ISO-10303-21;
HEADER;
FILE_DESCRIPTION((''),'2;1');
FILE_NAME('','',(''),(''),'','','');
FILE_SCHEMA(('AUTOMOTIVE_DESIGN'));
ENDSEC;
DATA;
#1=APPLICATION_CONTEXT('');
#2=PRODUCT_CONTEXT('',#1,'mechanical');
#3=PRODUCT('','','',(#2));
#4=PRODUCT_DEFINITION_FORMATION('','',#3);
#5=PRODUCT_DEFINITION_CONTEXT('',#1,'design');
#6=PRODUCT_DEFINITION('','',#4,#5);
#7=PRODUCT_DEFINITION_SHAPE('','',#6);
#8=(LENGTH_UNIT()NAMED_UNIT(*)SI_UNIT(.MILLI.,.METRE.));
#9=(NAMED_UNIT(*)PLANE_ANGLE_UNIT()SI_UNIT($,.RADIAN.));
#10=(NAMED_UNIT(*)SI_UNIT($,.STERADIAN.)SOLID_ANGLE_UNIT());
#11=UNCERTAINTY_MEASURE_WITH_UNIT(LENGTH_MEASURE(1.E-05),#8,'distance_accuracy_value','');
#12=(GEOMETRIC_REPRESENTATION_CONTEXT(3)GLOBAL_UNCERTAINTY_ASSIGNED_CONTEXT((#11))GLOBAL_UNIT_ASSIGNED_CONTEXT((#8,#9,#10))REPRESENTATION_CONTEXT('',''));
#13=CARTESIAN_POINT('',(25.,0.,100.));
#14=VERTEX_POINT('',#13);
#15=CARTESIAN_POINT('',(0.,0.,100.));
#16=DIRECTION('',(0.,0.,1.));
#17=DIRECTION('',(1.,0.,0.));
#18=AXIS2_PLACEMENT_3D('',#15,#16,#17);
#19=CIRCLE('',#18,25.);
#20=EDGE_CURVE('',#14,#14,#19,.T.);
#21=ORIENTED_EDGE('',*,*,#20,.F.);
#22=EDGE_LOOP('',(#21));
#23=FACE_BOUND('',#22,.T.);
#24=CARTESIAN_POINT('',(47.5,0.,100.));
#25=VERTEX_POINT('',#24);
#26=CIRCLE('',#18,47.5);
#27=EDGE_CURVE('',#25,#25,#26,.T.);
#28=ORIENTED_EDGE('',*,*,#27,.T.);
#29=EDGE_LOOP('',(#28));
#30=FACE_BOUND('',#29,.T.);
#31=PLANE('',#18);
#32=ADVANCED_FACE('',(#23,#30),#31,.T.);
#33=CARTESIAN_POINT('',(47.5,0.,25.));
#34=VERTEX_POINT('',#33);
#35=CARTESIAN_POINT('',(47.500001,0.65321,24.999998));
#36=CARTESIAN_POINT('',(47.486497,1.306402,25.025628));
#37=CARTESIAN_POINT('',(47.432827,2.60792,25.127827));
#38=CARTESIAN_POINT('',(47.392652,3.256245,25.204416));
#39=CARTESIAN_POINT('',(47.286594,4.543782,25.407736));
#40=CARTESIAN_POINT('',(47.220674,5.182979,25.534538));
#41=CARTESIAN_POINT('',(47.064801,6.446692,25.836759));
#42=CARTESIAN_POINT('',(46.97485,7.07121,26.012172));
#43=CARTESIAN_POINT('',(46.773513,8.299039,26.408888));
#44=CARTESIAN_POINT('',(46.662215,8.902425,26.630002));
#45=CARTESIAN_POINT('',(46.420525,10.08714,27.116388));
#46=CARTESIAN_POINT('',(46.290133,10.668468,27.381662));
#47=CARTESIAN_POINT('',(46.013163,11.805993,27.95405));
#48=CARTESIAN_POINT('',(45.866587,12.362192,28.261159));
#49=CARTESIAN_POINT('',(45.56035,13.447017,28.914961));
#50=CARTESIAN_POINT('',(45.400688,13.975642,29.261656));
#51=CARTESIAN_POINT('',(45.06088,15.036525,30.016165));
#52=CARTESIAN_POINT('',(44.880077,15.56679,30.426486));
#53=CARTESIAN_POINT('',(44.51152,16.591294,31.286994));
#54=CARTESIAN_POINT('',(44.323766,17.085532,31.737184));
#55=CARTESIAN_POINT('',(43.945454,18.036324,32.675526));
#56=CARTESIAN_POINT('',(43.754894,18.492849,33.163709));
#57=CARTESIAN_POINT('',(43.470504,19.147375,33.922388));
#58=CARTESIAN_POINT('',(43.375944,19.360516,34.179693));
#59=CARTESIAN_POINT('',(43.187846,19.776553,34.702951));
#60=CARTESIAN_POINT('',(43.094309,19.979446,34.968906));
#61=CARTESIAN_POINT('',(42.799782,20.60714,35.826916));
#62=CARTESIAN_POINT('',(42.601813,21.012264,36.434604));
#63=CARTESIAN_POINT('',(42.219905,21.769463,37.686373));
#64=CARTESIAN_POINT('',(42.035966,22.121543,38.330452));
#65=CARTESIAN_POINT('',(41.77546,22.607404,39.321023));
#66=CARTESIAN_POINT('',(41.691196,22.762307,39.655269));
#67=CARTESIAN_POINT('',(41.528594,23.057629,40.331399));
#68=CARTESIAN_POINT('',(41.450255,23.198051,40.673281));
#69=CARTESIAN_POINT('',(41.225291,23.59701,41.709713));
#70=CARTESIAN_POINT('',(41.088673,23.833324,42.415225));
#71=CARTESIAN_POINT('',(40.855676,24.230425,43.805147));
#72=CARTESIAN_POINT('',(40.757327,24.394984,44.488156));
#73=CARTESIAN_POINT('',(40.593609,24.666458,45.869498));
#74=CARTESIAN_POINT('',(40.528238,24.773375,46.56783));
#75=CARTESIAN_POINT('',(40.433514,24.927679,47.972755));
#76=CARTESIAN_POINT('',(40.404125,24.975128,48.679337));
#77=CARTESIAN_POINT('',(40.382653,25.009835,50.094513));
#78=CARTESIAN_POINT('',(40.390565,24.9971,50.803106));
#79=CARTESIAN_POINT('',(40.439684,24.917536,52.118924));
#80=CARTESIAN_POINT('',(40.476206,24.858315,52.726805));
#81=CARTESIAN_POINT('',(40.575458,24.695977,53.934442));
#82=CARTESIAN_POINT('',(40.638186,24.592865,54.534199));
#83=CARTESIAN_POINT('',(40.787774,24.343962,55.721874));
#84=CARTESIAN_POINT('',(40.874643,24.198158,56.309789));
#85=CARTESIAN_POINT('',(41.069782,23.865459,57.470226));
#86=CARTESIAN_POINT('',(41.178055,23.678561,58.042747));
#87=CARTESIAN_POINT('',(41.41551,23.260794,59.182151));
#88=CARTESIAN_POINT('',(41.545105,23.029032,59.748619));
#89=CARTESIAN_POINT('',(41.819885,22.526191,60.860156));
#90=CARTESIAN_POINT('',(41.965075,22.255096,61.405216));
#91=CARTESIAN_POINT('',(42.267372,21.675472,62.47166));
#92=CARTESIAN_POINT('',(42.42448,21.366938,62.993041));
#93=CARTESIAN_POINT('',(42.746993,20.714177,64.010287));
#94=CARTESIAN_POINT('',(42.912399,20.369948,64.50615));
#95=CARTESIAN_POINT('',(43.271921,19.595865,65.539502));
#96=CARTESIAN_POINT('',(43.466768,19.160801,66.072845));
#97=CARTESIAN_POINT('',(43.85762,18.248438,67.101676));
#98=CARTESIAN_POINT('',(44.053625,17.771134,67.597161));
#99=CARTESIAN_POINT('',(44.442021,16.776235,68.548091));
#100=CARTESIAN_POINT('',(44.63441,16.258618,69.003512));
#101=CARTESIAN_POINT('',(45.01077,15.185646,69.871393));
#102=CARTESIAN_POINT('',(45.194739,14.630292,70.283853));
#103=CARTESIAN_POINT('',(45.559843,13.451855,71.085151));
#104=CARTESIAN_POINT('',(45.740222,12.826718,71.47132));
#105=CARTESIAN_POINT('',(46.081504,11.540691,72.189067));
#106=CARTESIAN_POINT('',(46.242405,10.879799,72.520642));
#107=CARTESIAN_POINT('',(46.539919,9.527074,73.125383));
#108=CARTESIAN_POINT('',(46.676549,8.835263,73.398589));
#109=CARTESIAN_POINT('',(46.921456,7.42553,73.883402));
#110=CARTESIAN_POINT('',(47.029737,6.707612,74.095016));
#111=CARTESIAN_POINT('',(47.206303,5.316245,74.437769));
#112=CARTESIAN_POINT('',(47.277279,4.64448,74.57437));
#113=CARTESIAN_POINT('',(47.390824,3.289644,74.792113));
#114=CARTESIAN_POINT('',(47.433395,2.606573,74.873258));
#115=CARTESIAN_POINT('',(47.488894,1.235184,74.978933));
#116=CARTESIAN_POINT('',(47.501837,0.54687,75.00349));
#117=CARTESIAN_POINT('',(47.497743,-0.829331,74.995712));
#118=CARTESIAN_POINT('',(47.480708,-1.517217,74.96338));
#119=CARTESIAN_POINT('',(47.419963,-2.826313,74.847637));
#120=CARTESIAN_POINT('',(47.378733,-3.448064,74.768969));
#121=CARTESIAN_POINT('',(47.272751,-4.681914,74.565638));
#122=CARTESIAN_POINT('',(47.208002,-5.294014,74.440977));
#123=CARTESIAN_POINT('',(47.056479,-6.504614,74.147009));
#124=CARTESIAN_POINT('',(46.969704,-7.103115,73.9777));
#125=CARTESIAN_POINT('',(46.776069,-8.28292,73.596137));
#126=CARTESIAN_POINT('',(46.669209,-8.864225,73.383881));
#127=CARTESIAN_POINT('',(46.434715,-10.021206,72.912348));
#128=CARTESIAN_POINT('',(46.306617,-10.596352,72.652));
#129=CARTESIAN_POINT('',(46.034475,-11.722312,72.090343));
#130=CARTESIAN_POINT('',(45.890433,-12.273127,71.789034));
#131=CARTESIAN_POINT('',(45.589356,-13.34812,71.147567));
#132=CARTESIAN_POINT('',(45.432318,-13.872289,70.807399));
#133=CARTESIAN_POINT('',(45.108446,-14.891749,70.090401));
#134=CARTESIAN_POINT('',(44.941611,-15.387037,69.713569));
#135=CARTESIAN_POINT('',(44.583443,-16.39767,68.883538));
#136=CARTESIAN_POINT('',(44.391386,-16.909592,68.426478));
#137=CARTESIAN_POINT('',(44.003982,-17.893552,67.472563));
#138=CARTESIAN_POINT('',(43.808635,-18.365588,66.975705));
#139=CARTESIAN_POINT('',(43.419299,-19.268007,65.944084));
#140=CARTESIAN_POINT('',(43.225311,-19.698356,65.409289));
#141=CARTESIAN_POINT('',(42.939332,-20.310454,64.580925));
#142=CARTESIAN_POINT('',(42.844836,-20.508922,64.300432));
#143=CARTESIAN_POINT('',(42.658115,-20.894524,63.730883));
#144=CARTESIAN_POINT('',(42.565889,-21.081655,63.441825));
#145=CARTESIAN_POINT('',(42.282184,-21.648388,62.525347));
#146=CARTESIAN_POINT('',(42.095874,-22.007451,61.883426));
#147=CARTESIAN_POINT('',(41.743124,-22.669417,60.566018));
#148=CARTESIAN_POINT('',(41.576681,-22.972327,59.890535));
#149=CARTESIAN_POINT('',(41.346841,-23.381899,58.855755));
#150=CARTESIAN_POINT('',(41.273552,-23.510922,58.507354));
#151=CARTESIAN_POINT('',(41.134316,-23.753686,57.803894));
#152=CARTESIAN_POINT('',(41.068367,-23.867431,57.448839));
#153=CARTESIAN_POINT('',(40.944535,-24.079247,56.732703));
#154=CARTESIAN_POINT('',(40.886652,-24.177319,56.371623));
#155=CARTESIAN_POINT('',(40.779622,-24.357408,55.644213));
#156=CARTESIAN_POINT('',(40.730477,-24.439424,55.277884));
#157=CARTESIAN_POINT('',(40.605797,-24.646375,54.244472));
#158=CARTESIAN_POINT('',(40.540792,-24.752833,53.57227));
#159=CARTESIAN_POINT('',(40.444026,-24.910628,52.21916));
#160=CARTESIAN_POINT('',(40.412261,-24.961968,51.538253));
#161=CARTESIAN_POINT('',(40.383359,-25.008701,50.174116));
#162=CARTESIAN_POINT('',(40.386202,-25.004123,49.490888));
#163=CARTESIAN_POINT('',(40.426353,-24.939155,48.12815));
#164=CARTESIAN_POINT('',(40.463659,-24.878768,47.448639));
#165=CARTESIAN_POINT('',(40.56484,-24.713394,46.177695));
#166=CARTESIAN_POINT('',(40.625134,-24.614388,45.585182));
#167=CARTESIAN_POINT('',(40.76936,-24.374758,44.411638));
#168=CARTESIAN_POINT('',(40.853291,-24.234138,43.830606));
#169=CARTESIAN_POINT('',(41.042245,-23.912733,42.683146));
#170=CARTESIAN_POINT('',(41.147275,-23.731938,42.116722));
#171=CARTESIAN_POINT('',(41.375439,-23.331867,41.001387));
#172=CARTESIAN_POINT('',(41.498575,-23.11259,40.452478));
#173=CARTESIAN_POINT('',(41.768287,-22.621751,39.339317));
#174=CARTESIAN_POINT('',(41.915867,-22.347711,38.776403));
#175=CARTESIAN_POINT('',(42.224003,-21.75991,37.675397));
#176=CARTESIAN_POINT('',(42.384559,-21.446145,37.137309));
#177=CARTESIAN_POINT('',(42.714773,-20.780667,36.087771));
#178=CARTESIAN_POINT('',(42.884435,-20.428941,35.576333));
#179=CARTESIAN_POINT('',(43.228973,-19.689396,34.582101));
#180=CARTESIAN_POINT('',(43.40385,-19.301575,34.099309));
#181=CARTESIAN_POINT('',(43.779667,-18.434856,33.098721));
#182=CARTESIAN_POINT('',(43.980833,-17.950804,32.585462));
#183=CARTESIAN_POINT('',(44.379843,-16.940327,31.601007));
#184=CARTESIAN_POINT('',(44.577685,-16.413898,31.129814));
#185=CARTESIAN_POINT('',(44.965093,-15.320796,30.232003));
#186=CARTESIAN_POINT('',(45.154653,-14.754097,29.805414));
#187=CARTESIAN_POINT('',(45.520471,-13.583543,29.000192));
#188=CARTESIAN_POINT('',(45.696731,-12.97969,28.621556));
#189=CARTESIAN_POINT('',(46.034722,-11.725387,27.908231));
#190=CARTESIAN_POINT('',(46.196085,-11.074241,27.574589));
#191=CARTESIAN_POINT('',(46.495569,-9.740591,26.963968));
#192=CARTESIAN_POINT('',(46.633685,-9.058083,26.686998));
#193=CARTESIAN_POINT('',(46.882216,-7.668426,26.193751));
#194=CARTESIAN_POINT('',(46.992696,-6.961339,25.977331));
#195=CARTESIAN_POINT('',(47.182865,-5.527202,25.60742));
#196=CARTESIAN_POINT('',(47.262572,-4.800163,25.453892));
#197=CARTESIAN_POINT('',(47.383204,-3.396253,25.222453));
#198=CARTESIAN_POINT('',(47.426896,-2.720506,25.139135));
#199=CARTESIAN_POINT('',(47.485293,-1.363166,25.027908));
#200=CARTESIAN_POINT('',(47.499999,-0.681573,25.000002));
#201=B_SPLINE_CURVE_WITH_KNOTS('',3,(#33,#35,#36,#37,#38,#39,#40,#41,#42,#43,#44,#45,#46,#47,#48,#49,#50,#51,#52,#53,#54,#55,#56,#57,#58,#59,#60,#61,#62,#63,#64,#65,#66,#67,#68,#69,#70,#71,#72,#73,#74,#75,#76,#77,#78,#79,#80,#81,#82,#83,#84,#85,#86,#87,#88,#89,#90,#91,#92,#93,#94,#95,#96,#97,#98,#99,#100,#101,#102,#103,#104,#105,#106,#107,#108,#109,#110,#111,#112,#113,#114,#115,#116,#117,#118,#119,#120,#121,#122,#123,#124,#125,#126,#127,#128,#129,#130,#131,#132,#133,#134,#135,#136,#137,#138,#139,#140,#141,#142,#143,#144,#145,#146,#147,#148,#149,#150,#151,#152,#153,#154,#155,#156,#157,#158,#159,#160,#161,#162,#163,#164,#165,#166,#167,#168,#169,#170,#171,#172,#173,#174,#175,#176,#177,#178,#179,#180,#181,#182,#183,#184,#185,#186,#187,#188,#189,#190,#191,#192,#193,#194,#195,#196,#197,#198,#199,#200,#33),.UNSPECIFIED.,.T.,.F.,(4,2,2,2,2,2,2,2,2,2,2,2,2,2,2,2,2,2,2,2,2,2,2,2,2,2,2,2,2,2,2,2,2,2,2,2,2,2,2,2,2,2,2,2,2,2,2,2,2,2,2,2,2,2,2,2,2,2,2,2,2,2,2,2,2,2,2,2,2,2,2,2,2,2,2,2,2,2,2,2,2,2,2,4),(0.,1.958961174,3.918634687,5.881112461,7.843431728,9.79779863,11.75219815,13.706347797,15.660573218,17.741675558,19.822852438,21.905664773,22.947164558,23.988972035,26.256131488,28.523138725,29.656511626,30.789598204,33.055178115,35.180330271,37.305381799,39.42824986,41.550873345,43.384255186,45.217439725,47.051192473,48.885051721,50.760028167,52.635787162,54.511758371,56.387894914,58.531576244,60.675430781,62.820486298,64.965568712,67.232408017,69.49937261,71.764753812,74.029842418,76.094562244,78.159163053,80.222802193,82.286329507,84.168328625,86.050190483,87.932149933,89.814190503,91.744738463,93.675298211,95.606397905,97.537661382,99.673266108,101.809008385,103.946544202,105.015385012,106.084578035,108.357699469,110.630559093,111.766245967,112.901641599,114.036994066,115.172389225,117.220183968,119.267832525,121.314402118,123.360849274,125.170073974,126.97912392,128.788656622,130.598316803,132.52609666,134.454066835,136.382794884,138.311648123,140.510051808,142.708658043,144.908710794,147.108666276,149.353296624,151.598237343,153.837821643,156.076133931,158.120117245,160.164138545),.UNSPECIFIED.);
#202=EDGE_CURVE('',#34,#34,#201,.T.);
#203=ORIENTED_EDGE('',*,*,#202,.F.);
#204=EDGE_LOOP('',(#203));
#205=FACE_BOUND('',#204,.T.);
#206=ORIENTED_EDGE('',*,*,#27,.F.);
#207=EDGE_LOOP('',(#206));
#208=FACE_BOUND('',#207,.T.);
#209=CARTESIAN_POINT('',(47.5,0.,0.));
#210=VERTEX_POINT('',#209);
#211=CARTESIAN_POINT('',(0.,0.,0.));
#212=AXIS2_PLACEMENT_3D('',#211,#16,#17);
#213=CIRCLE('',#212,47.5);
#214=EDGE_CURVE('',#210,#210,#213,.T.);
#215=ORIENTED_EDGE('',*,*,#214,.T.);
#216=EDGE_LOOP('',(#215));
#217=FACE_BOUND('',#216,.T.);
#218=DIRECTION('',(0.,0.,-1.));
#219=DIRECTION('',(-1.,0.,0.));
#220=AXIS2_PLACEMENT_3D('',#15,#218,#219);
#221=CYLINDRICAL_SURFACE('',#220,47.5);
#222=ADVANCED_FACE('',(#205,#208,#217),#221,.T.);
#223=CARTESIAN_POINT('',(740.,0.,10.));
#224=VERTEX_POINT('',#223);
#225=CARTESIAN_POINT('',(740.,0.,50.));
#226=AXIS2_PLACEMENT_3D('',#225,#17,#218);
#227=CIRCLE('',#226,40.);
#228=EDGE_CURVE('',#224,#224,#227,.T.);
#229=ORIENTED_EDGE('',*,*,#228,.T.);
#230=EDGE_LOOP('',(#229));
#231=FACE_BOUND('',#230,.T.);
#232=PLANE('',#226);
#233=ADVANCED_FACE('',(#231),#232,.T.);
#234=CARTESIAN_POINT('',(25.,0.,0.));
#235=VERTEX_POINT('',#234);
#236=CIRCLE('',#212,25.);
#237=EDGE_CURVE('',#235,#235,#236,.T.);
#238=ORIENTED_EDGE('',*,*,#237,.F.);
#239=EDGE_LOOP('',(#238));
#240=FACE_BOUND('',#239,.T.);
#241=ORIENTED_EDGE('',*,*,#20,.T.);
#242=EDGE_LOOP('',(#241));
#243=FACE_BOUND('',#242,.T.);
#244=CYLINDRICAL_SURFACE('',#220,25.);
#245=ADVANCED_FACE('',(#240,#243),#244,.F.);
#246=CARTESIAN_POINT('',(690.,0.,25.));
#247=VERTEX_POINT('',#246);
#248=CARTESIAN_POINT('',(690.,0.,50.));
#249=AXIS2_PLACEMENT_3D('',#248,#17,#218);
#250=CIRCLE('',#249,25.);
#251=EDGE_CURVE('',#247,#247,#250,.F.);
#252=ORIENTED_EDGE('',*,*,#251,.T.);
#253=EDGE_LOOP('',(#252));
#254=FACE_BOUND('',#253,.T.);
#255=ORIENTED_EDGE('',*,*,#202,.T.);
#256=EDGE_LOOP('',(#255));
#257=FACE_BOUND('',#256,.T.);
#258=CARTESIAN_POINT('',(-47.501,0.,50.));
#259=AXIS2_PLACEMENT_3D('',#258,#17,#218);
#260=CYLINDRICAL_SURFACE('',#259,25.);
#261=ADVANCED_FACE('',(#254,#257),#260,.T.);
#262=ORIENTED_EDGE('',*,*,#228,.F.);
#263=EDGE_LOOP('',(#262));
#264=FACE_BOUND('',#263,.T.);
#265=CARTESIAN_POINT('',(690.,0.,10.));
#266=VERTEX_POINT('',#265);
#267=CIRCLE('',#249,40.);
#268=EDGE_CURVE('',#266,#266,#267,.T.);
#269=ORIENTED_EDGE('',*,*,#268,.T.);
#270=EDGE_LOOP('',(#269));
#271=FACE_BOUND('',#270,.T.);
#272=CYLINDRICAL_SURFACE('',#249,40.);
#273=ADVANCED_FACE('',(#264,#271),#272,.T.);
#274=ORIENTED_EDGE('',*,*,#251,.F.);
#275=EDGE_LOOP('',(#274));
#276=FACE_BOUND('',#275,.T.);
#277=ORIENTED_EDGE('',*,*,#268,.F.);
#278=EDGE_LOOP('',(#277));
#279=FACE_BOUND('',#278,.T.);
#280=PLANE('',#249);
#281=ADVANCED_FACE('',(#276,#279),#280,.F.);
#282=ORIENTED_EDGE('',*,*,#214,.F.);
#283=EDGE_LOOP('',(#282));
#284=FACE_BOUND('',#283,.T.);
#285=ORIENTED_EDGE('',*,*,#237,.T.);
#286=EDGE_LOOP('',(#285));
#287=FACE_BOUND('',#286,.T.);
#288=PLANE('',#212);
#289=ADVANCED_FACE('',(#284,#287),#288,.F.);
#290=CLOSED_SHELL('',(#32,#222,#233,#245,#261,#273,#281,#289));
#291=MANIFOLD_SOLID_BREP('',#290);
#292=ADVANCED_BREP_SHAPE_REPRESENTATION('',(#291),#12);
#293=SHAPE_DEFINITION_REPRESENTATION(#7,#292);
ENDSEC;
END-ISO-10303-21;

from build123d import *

# Parameters (mm, degrees)
SKETCH1_R                = 47.5
SKETCH1_R_2              = 25
BOSS_EXTRUDE1_DEPTH      = 100
BOSS_EXTRUDE2_REACH      = 797.244
BOSS_EXTRUDE2_END_RADIUS = 47.5
SKETCH2_R                = 25
SKETCH3_R                = 40
BOSS_EXTRUDE3_DEPTH      = 50


with BuildPart() as part:
    # Sketch1 → Boss-Extrude1 (new body)
    with BuildSketch(Plane.XY):
        Circle(SKETCH1_R)
        Circle(SKETCH1_R_2, mode=Mode.SUBTRACT)
    extrude(amount=BOSS_EXTRUDE1_DEPTH)

    # Boss-Extrude2: up to this cylinder (the profile starts outside it)
    boss_extrude2_end = Plane(origin=(0, 0, 50), z_dir=(0, 0, -1)) * Cylinder(BOSS_EXTRUDE2_END_RADIUS, 1690.488, mode=Mode.PRIVATE)
    # Sketch2 → Boss-Extrude2 (add, up to the surface)
    with BuildSketch(Plane(origin=(740, 0, 0), x_dir=(0, 0, -1), z_dir=(1, 0, 0)), mode=Mode.PRIVATE) as boss_extrude2_sk1:
        with Locations((-50, 0)):
            Circle(SKETCH2_R)
    boss_extrude2_tool1 = extrude(boss_extrude2_sk1.sketch, amount=-BOSS_EXTRUDE2_REACH, mode=Mode.PRIVATE) - boss_extrude2_end
    add(boss_extrude2_tool1.solids().sort_by_distance((740, 0, 50))[0])

    # Sketch3 → Boss-Extrude3 (add)
    with BuildSketch(Plane(origin=(740, 0, 0), x_dir=(0, 0, -1), z_dir=(1, 0, 0))):
        with Locations((-50, 0)):
            Circle(SKETCH3_R)
    extrude(amount=-BOSS_EXTRUDE3_DEPTH)


solid = part.part
